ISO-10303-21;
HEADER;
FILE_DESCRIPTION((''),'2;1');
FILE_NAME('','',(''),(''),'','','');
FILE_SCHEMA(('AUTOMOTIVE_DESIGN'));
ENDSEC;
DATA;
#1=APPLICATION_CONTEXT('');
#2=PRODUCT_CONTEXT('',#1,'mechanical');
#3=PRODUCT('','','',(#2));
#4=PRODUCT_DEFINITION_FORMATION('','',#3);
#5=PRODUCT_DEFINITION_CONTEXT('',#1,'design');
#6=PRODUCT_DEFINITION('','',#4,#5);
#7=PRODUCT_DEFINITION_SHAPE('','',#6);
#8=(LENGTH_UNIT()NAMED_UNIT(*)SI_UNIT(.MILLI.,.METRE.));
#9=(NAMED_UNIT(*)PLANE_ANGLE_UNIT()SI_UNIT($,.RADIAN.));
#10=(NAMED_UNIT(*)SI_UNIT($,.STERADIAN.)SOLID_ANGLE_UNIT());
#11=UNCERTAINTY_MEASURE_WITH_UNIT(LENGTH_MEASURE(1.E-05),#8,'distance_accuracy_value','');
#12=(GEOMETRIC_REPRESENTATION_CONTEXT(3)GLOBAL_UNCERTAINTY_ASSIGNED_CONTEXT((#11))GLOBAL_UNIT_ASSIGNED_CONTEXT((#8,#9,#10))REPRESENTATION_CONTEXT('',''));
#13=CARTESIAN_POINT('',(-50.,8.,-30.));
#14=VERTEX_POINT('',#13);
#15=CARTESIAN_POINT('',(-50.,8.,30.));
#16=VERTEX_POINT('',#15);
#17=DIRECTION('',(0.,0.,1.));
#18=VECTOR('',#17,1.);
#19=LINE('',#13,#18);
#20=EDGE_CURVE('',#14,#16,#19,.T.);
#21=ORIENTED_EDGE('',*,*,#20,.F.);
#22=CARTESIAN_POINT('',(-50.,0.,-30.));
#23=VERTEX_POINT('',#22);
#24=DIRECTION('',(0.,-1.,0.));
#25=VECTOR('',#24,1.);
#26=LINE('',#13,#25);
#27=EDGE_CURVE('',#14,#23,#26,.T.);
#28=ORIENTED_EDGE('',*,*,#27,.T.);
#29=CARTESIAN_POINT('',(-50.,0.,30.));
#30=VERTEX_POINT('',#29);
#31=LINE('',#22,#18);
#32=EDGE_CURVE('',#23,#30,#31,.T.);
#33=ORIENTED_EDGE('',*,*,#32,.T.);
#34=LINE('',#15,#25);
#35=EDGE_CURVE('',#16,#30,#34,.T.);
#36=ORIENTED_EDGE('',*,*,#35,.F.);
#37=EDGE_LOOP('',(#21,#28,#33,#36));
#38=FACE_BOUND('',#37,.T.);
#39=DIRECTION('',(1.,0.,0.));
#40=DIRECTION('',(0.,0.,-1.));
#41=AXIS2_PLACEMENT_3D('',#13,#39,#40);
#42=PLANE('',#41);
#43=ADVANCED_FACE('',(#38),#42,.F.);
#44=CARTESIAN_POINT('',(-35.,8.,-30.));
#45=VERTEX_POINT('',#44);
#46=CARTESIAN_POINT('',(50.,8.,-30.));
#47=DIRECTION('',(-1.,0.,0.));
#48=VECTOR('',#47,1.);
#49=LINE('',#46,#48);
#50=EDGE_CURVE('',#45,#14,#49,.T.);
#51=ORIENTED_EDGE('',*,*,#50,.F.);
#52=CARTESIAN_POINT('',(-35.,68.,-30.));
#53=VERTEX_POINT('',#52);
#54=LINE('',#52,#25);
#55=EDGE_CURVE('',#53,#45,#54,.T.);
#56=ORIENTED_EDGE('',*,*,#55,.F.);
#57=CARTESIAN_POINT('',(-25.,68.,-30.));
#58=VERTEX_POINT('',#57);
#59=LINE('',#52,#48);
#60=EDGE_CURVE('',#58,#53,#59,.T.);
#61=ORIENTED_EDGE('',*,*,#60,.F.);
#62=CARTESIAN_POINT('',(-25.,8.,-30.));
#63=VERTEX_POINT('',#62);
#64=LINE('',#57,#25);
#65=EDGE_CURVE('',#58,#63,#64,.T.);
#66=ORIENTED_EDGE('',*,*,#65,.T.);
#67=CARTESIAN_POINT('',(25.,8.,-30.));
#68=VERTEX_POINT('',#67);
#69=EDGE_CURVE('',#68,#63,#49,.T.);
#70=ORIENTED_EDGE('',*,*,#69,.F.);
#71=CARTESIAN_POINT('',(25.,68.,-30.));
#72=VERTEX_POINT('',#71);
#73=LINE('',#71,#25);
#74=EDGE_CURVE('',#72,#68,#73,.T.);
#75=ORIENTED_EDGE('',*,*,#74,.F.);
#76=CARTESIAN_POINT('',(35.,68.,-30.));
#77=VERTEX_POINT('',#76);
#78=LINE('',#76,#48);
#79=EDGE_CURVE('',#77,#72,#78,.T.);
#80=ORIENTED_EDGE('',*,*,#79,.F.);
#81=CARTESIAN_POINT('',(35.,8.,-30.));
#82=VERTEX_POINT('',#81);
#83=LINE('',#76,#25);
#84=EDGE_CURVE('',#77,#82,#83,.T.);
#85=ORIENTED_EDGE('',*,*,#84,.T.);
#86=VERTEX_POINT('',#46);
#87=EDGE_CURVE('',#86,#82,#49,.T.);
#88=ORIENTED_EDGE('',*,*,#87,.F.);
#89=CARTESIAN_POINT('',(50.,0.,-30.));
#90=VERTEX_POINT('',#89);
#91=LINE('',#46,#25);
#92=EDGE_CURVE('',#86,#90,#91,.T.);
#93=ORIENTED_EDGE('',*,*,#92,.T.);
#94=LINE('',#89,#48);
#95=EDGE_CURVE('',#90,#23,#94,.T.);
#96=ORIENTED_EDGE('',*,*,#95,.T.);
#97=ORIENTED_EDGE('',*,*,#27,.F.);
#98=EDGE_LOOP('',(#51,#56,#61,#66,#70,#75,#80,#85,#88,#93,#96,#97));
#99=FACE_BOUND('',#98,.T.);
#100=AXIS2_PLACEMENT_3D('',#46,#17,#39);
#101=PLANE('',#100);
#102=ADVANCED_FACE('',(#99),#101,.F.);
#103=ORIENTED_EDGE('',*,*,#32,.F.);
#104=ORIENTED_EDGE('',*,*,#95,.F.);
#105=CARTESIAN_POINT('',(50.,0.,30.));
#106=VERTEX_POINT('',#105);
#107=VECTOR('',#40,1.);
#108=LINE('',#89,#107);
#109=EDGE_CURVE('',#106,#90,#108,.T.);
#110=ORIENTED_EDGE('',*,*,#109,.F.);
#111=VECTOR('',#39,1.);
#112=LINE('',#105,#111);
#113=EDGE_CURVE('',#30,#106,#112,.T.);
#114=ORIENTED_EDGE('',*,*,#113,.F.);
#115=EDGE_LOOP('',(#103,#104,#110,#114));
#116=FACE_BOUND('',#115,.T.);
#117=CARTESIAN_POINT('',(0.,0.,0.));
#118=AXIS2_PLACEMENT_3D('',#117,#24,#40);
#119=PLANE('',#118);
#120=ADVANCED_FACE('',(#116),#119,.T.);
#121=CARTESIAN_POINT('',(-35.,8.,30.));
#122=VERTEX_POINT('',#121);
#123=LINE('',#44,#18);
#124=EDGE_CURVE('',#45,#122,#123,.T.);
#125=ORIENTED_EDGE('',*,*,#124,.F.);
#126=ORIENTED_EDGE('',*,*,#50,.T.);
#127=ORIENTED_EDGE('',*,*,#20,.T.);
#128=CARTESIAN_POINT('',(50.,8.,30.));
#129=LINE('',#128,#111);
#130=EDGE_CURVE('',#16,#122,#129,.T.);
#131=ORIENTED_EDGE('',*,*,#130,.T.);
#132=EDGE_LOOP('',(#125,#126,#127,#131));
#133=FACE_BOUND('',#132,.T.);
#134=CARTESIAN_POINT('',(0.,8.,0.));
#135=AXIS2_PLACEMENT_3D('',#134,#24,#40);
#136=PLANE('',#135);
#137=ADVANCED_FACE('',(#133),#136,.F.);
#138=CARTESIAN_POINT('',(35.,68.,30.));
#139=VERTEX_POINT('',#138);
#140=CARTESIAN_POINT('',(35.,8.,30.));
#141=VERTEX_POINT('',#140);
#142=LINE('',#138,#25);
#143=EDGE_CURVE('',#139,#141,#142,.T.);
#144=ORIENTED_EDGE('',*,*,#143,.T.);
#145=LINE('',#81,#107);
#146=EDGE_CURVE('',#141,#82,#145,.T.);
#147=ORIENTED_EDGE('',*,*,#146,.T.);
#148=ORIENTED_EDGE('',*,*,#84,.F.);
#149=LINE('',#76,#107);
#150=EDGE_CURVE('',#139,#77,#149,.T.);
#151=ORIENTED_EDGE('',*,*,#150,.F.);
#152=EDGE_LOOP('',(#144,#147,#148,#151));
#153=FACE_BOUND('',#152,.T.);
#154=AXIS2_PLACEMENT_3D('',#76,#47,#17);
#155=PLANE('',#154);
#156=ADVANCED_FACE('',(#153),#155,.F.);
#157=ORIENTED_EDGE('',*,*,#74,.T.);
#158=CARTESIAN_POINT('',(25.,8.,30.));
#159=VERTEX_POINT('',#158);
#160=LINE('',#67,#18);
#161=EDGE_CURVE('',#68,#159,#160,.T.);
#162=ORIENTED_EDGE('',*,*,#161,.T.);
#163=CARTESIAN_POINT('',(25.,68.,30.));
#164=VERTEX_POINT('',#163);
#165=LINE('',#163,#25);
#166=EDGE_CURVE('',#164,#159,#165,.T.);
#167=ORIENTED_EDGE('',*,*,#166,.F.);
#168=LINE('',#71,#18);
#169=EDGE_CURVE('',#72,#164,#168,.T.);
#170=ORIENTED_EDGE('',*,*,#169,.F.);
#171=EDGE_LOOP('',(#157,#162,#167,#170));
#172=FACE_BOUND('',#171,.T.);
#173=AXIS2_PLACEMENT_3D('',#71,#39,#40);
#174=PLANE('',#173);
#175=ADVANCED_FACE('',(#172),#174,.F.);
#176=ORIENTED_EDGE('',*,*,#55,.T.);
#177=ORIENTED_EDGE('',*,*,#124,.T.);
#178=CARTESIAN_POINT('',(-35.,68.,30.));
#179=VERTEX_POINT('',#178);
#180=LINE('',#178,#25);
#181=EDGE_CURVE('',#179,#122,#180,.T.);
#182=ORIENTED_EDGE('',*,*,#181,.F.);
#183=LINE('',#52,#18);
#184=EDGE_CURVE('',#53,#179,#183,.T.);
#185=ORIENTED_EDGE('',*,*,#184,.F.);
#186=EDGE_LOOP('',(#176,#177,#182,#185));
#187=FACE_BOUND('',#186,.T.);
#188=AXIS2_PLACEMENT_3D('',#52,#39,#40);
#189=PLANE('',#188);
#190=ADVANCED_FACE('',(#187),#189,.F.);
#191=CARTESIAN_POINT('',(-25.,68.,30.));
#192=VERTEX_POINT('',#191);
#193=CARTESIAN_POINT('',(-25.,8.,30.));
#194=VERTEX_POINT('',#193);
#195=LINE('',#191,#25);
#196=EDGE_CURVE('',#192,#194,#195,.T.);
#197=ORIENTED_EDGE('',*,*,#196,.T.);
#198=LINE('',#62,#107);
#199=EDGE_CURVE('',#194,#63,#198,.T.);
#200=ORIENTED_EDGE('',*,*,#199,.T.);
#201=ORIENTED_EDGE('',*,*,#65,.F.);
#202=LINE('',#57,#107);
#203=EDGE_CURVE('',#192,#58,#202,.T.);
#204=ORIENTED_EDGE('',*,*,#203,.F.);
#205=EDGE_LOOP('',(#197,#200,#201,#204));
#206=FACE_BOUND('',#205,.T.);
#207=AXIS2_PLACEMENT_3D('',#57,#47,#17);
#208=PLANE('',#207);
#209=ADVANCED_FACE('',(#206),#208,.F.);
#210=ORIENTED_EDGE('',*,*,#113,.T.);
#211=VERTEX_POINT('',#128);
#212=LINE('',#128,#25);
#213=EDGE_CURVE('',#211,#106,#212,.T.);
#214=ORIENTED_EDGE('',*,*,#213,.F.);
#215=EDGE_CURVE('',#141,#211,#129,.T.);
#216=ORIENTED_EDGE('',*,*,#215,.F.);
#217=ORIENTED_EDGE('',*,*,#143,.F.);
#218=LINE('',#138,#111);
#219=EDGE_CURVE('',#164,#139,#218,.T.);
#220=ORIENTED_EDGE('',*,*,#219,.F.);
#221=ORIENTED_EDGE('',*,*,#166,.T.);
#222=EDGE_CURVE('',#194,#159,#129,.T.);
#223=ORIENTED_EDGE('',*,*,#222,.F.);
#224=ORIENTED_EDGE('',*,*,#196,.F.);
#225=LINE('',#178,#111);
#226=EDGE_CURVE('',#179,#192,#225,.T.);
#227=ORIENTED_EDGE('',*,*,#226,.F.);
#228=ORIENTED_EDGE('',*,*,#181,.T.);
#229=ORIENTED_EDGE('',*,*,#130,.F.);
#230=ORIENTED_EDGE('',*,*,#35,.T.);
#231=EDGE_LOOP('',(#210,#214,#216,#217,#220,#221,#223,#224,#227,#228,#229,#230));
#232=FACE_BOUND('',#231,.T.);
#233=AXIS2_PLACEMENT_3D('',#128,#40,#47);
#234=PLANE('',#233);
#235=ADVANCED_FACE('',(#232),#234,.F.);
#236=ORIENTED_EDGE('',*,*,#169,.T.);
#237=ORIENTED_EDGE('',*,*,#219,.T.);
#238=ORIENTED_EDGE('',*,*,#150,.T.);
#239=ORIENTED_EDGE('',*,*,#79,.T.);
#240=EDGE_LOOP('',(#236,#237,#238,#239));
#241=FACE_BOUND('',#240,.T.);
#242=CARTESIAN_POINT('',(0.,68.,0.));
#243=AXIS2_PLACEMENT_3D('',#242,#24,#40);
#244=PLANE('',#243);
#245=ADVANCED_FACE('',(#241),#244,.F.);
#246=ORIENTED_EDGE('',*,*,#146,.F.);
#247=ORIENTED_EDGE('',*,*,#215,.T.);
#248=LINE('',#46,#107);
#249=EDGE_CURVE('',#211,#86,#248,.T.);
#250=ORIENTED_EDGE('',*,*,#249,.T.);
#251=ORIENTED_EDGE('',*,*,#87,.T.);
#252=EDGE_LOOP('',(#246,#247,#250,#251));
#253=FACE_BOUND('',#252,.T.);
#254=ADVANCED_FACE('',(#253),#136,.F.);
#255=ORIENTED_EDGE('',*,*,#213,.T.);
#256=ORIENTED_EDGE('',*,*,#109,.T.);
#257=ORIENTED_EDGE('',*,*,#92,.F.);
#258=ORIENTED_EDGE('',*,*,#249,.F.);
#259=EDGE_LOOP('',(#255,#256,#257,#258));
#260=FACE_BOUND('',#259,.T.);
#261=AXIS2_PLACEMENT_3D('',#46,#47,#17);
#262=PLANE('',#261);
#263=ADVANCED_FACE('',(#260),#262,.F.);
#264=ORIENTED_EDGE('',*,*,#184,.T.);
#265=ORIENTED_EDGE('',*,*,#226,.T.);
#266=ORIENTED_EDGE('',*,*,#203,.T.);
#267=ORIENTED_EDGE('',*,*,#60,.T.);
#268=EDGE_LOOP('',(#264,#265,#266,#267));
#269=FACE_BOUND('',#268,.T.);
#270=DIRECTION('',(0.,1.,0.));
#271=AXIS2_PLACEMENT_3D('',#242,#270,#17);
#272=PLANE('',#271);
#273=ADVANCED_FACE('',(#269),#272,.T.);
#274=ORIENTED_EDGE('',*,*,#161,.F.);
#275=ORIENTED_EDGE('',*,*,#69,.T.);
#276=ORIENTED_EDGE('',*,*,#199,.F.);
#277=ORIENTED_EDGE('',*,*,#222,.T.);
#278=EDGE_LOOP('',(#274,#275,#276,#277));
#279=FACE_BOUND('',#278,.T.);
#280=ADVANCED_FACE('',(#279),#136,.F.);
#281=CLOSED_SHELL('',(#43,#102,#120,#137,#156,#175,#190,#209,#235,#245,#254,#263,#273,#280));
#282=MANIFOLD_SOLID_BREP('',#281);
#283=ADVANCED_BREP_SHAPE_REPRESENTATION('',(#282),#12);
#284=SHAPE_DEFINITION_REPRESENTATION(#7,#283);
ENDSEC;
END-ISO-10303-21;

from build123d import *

# Parameters (mm, degrees)
SKETCH2_W           = 100
SKETCH2_H           = 60
BOSS_EXTRUDE1_DEPTH = 8
SKETCH3_W           = 10
SKETCH3_H           = 60
BOSS_EXTRUDE3_DEPTH = 60


with BuildPart() as part:
    # Sketch2 → Boss-Extrude1 (new body)
    with BuildSketch(Plane(origin=(0, 0, 0), x_dir=(1, 0, 0), z_dir=(0, 1, 0))):
        Rectangle(SKETCH2_W, SKETCH2_H)
    extrude(amount=BOSS_EXTRUDE1_DEPTH)

    # Sketch3 → Boss-Extrude3 (add)
    with BuildSketch(Plane(origin=(0, 8, 0), x_dir=(1, 0, 0), z_dir=(0, 1, 0))):
        with Locations((30, 0)):
            Rectangle(SKETCH3_W, SKETCH3_H)
        with Locations((-30, 0)):
            Rectangle(SKETCH3_W, SKETCH3_H)
    extrude(amount=BOSS_EXTRUDE3_DEPTH)


solid = part.part
